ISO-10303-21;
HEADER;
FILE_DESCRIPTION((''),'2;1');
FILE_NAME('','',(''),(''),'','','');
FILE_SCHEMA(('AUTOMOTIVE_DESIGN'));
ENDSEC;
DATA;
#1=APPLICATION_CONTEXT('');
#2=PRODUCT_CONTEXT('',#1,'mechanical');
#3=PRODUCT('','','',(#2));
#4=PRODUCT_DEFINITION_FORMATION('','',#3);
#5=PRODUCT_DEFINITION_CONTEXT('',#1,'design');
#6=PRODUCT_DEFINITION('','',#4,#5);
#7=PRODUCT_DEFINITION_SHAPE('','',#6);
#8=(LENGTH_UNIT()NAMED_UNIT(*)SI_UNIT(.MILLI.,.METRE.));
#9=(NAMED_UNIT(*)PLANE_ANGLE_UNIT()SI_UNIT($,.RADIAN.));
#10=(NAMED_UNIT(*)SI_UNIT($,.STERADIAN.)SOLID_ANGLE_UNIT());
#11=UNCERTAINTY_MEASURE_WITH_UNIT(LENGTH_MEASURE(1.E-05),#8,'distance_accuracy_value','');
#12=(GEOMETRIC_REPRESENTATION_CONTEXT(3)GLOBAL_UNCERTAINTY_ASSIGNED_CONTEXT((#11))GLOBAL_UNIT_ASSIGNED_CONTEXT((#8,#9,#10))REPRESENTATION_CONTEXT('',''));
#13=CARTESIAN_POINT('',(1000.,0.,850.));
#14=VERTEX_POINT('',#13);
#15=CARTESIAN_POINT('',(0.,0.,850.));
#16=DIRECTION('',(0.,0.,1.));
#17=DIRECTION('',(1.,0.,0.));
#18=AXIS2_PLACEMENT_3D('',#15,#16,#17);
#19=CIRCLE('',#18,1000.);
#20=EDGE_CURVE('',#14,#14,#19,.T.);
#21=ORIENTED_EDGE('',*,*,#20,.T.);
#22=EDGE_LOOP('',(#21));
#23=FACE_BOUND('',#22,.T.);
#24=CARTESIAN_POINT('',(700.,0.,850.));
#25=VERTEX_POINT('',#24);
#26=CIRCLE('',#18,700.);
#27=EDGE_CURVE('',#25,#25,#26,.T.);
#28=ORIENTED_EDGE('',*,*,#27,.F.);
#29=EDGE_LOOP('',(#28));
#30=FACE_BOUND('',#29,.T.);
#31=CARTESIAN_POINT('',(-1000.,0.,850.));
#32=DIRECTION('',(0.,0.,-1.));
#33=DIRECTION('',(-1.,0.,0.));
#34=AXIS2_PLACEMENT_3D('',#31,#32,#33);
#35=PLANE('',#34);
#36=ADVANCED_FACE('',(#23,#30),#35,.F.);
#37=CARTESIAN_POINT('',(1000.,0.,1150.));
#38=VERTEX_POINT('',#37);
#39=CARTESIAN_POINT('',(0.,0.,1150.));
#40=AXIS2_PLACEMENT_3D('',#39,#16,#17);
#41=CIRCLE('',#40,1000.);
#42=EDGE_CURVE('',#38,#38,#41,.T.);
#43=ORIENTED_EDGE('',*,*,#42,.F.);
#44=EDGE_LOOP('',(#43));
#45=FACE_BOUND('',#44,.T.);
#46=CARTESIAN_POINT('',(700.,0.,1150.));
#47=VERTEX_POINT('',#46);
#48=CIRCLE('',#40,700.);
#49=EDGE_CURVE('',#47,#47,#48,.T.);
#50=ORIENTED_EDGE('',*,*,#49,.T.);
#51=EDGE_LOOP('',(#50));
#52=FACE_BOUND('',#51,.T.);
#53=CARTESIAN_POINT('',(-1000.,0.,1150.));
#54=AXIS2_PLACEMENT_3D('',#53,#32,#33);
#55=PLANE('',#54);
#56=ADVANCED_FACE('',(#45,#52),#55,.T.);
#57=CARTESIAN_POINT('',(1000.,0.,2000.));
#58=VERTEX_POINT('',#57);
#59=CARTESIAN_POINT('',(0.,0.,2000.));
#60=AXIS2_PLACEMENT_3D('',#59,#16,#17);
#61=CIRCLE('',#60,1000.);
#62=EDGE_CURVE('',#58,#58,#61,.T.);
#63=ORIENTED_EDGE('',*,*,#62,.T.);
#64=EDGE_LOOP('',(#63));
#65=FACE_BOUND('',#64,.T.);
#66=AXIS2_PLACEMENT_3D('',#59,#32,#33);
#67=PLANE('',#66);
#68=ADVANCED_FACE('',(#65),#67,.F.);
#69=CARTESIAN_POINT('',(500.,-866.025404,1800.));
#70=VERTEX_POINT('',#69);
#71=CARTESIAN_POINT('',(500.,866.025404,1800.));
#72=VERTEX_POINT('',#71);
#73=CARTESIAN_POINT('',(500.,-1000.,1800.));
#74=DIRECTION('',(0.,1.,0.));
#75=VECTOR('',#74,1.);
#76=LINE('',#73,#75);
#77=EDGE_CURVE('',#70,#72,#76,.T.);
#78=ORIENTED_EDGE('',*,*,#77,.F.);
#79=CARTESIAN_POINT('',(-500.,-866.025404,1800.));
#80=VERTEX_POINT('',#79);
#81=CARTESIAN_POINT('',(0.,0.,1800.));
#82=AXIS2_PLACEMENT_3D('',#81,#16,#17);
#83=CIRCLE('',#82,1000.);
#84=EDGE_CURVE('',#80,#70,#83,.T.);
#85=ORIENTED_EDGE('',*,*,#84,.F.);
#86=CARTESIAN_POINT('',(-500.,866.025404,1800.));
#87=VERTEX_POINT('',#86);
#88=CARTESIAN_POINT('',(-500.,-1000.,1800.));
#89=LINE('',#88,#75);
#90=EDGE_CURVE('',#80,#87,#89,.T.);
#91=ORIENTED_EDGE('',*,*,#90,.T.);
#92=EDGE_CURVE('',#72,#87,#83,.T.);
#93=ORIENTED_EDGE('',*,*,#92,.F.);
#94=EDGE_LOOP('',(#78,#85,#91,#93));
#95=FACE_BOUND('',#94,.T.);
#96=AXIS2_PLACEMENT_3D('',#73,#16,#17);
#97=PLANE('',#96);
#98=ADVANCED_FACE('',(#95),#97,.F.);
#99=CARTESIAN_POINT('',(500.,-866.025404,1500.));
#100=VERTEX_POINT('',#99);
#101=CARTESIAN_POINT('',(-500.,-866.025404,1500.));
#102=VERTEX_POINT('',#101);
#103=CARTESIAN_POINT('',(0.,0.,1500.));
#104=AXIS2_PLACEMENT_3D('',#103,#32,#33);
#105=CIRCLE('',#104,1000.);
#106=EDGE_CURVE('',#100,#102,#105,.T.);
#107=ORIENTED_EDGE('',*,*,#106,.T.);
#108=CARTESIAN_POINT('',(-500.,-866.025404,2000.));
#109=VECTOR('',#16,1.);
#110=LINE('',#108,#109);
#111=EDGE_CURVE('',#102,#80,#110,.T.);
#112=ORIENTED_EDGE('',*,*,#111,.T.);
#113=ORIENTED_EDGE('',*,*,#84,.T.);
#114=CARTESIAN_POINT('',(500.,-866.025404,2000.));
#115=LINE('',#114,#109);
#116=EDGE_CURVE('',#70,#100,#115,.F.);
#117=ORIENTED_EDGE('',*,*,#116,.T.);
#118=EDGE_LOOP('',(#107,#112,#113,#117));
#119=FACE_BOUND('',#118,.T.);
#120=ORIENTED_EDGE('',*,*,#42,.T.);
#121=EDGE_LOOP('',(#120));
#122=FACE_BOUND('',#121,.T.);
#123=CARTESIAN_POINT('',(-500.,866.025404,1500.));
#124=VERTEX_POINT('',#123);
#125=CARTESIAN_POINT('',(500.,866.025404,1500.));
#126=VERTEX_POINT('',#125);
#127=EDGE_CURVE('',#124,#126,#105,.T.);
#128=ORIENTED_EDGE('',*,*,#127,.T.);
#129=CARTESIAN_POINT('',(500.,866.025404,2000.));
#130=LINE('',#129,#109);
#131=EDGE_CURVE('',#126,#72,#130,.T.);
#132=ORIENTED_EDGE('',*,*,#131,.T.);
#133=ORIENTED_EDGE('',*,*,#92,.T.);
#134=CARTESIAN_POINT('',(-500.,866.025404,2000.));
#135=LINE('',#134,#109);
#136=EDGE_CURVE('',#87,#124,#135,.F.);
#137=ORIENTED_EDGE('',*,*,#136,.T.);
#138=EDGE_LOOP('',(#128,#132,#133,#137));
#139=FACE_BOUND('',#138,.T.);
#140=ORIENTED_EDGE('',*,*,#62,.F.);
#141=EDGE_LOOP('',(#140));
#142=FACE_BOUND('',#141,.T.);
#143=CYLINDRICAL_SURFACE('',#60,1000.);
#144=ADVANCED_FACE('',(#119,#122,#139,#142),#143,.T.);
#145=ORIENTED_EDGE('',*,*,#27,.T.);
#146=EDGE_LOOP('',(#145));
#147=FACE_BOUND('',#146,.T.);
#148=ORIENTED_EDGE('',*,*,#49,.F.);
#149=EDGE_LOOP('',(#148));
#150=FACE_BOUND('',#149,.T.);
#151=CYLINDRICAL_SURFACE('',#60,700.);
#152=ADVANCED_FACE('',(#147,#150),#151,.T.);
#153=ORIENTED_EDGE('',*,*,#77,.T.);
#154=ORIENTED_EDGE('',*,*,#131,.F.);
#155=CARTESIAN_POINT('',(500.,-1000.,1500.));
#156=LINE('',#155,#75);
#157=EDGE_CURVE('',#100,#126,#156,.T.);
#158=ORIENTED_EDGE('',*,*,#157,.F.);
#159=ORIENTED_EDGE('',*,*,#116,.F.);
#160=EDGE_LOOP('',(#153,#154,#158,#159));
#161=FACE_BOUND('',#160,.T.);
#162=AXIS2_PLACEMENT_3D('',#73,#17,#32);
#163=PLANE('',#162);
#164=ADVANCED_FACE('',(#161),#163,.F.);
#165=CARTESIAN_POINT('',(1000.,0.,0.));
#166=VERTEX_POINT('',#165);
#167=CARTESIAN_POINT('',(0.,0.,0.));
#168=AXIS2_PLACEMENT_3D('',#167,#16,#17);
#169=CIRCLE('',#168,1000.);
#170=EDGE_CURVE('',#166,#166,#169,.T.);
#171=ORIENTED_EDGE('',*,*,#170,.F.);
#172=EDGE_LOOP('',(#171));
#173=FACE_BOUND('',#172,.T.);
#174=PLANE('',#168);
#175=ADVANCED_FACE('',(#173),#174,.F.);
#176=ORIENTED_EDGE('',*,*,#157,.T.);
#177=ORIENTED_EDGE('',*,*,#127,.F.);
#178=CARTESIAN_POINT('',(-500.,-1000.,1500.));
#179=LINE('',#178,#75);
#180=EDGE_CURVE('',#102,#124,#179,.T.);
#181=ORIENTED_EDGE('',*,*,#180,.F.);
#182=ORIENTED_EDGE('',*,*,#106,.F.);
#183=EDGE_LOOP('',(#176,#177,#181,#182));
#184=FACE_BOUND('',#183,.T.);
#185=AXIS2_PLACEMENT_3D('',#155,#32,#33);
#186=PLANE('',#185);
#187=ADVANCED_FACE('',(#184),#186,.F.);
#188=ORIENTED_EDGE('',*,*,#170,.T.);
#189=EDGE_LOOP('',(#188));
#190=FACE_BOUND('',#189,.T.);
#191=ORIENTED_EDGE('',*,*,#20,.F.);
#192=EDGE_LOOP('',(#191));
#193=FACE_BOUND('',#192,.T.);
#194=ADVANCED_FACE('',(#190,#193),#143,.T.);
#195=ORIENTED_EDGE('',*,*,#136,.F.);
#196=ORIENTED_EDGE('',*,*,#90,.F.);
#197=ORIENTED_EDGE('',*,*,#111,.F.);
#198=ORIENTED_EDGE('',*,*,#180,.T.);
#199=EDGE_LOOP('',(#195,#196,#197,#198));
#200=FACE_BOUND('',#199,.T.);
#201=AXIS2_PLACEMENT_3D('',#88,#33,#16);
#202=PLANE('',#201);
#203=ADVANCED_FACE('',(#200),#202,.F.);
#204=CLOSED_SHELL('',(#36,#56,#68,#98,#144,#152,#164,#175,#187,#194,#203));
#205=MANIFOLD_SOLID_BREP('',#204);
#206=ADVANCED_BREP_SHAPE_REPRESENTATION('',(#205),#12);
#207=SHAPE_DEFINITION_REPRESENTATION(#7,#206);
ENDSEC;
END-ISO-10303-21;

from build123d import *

# Parameters (mm, degrees)
SKETCH1_W               = 1000
SKETCH1_H               = 2000
SKETCH4_W               = 1000
SKETCH4_H               = 300
CUT_EXTRUDE1_DEPTH      = 1001
CUT_EXTRUDE1_DEPTH_BACK = 1001
SKETCH5_W               = 300
SKETCH5_H               = 300


with BuildPart() as part:
    # Sketch1 → Revolve1 (revolve)
    with BuildSketch(Plane(origin=(0, 0, 0), x_dir=(1, 0, 0), z_dir=(0, 1, 0))):
        with Locations((-500, -1000)):
            Rectangle(SKETCH1_W, SKETCH1_H)
    revolve(axis=Axis((0, 0, 2000), (0, 0, -1)))

    # Sketch4 → Cut-Extrude1 (cut, two sides)
    with BuildSketch(Plane(origin=(0, 0, 0), x_dir=(1, 0, 0), z_dir=(0, 1, 0))) as cut_extrude1_sk:
        with Locations((0, -1650)):
            Rectangle(SKETCH4_W, SKETCH4_H)
    extrude(amount=CUT_EXTRUDE1_DEPTH, mode=Mode.SUBTRACT)
    extrude(cut_extrude1_sk.sketch, amount=-CUT_EXTRUDE1_DEPTH_BACK, mode=Mode.SUBTRACT)

    # Sketch5 → Cut-Revolve1 (revolve, cut)
    with BuildSketch(Plane(origin=(0, 0, 0), x_dir=(1, 0, 0), z_dir=(0, 1, 0))):
        with Locations((-850, -1000)):
            Rectangle(SKETCH5_W, SKETCH5_H)
    revolve(axis=Axis((0, 0, 2000), (0, 0, -1)), mode=Mode.SUBTRACT)


solid = part.part
